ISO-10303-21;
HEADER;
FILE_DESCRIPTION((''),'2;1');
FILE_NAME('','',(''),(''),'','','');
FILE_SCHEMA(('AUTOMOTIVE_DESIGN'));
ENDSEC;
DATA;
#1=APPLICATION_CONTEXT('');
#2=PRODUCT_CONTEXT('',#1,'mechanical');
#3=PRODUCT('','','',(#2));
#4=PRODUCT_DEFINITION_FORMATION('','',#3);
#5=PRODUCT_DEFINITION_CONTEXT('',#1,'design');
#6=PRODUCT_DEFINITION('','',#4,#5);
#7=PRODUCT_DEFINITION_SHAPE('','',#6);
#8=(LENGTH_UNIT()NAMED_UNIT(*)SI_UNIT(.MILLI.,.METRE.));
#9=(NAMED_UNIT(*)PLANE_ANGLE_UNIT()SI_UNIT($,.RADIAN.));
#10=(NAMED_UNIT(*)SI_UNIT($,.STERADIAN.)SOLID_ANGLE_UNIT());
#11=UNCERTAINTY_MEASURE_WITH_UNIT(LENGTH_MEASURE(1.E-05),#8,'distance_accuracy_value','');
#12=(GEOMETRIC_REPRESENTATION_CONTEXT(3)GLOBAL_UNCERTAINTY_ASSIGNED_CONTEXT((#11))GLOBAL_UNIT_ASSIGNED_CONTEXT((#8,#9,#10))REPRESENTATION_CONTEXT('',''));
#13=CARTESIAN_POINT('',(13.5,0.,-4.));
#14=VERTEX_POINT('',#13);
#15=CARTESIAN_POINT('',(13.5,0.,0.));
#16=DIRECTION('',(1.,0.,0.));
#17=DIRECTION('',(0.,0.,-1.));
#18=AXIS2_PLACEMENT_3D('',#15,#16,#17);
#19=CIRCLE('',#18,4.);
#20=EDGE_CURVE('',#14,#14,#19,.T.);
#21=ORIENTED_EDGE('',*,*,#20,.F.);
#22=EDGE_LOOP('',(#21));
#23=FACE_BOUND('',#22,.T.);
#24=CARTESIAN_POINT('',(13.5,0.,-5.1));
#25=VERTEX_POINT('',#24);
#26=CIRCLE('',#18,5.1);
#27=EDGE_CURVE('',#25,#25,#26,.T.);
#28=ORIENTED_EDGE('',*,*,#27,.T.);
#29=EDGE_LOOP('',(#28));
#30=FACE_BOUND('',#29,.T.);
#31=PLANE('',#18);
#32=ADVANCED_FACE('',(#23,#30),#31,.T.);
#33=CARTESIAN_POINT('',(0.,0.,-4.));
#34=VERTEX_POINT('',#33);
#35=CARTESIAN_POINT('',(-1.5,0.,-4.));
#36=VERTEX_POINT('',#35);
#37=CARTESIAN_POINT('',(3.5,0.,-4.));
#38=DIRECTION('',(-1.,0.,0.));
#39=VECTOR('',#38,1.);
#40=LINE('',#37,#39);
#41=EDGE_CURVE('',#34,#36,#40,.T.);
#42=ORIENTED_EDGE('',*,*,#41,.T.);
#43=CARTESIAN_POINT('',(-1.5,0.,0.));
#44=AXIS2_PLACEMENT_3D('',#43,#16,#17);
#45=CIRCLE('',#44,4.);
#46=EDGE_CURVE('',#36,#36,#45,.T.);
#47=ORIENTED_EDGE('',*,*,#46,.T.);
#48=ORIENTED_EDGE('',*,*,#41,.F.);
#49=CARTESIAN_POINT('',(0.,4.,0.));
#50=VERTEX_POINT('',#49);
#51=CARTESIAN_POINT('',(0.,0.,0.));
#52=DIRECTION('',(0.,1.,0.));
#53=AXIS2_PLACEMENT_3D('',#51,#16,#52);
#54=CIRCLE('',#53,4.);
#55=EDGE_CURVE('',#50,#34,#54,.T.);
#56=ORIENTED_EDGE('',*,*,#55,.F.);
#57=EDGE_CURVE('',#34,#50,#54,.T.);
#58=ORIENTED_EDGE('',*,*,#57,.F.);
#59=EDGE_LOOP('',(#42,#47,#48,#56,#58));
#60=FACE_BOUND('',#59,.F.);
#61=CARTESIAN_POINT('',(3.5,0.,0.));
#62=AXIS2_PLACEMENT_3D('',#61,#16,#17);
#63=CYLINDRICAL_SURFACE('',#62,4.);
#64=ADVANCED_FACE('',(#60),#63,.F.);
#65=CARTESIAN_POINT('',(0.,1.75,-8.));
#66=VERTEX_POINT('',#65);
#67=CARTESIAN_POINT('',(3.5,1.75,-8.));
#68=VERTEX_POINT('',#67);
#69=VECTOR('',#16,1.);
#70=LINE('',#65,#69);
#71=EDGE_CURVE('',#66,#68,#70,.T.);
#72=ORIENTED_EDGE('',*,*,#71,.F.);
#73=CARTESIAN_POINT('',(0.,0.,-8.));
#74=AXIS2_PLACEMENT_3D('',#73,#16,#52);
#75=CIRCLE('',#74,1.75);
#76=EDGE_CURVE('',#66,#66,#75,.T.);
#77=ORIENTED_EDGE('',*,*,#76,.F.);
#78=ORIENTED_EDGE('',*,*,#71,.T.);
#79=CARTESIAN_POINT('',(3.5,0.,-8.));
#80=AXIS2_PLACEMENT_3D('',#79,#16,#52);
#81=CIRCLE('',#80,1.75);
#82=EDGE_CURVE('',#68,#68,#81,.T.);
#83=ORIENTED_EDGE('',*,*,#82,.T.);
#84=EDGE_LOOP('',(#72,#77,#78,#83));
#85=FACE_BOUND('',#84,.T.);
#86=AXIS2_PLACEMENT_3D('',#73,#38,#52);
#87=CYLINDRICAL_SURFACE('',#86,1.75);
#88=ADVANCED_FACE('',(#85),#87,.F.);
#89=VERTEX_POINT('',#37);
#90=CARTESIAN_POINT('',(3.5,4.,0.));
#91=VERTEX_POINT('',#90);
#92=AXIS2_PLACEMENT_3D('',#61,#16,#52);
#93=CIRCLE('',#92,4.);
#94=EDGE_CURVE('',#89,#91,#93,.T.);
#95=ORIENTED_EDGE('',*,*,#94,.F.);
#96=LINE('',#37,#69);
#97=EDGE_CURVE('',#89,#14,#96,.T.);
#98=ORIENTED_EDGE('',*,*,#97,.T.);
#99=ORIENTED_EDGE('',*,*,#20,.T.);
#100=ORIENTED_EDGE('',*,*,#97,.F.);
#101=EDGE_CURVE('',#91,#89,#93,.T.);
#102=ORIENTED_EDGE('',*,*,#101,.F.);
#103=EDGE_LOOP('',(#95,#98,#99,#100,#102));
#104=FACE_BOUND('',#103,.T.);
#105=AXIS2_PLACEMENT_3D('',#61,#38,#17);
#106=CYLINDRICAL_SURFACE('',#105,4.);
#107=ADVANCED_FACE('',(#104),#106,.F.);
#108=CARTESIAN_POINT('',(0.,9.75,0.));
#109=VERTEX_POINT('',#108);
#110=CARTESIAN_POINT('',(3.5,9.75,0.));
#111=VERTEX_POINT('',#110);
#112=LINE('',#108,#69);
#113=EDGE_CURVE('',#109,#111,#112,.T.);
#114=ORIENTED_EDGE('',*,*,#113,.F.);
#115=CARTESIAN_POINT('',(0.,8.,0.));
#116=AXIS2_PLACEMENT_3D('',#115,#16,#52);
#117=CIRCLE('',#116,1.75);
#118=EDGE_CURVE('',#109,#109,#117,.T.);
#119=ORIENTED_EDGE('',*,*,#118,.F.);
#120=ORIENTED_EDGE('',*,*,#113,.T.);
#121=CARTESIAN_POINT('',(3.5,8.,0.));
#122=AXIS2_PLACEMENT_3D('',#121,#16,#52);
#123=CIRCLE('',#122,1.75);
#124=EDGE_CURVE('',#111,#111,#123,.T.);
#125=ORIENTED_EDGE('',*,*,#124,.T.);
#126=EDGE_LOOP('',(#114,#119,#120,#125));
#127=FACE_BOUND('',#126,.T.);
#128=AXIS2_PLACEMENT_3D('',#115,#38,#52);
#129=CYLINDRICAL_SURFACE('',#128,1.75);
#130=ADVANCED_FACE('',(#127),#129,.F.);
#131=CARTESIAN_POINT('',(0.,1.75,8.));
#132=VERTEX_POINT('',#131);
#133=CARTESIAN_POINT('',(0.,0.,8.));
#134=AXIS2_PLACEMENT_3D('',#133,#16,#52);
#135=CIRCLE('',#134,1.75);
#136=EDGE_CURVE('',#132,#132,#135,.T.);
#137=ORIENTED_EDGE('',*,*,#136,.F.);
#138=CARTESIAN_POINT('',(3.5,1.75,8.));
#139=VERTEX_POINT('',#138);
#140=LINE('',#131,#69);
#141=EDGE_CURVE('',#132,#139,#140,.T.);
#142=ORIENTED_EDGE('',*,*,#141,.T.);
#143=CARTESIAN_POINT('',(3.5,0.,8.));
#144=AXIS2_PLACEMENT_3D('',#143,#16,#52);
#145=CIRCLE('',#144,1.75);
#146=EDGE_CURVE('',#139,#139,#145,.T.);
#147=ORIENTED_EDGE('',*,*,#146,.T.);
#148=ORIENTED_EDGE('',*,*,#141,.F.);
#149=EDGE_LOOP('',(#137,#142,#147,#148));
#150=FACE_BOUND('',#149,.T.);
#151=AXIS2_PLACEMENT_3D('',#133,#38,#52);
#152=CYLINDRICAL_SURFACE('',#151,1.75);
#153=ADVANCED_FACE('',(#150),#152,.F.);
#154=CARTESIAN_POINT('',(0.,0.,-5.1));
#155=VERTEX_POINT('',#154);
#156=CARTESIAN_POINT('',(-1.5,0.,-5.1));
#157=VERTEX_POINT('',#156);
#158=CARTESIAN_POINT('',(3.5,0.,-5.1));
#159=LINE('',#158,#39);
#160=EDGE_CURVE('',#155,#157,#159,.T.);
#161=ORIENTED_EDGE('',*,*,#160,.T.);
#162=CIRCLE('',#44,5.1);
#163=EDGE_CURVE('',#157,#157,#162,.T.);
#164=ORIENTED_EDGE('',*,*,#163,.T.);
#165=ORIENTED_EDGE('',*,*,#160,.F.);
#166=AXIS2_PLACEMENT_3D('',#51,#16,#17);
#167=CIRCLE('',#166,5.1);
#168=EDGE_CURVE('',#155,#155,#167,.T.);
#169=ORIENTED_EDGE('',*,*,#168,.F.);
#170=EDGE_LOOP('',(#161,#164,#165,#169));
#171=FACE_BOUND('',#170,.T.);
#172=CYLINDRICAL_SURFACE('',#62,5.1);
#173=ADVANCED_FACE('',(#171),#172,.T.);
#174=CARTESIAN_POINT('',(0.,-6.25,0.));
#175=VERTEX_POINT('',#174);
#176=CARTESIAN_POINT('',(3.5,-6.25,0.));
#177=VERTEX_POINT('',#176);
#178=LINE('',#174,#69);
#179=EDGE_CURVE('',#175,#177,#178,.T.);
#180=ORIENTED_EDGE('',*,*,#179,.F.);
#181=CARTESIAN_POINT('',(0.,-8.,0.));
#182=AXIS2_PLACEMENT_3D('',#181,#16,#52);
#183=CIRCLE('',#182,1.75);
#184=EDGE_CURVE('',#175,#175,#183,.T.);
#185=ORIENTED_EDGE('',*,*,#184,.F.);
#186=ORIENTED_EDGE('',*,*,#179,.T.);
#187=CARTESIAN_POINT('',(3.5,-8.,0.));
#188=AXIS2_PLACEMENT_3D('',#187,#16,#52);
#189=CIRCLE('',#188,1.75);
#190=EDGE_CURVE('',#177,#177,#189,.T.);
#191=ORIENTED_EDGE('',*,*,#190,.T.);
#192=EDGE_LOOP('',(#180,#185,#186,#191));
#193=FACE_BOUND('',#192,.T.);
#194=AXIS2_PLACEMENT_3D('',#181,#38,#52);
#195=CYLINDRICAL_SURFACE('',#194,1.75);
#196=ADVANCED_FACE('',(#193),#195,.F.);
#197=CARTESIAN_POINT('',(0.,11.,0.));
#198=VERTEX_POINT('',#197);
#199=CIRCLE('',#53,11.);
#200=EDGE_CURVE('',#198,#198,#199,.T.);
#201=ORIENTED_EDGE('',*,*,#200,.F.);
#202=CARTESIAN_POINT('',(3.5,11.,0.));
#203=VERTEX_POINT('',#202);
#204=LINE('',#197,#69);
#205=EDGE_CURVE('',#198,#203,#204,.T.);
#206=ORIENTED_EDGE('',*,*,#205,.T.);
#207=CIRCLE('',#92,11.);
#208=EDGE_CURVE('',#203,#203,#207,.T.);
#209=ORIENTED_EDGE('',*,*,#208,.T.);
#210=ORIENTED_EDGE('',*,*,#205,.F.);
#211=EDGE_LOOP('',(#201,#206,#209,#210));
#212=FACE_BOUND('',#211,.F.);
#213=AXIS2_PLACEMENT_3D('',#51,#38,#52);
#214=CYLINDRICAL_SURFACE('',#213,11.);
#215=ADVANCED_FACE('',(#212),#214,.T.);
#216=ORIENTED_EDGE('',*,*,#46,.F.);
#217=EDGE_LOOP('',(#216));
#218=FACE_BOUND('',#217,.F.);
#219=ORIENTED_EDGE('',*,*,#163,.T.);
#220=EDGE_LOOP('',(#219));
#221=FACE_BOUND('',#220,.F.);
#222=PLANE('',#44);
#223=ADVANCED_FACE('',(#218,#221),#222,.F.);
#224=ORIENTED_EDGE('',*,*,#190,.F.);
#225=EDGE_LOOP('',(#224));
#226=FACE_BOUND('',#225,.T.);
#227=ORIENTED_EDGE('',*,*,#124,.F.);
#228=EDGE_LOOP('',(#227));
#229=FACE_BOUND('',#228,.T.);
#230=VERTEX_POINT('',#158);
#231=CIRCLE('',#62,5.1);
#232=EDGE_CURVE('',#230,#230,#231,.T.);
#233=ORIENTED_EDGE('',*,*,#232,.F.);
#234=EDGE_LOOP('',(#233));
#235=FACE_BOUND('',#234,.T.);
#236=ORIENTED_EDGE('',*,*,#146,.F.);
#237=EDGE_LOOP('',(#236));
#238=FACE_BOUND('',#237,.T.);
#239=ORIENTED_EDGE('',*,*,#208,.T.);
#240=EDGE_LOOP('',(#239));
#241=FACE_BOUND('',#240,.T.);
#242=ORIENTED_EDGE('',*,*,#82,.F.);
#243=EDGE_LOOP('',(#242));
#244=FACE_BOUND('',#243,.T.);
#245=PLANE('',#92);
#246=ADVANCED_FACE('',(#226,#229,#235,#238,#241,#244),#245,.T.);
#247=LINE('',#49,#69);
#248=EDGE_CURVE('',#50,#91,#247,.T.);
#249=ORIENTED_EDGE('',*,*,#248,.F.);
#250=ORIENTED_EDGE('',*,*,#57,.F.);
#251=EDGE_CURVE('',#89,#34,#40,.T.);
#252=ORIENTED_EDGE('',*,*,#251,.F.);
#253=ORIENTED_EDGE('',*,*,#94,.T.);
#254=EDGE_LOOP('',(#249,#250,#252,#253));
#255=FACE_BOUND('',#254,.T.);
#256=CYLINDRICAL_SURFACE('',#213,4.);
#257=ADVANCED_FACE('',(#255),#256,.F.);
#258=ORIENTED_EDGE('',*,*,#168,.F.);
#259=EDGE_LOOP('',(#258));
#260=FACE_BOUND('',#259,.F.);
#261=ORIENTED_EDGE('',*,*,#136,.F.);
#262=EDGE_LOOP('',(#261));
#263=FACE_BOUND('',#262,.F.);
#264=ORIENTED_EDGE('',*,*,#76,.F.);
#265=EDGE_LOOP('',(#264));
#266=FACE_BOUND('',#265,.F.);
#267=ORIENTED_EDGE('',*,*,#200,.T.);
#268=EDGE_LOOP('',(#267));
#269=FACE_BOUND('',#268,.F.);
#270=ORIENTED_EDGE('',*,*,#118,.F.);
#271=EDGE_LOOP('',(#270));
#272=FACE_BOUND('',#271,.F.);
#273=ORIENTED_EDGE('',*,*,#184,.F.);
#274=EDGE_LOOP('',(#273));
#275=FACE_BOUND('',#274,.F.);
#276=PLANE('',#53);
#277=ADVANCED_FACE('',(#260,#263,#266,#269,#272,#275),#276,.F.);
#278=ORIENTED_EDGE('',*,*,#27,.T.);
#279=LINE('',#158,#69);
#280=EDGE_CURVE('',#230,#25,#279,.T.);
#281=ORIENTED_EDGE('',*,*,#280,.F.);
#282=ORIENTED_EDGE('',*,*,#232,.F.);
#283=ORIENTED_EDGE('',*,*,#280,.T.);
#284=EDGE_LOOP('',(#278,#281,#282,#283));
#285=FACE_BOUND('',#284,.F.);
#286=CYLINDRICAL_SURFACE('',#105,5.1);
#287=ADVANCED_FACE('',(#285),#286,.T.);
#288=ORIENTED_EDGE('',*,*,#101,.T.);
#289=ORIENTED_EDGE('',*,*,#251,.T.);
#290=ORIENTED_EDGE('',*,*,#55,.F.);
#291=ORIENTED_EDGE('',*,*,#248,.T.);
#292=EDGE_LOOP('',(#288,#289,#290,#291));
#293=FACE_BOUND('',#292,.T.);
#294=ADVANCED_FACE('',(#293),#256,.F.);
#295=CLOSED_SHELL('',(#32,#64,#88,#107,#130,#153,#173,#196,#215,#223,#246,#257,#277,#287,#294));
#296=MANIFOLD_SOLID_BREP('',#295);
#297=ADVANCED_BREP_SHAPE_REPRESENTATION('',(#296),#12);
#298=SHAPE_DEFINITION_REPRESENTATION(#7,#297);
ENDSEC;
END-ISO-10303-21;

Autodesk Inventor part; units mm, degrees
ref_plane "YZ Plane" through (0, 0, 0) normal (1, 0, 0) x (0, 1, 0)
ref_plane "XZ Plane" through (0, 0, 0) normal (0, 1, 0) x (-1, 0, 0)
ref_plane "XY Plane" through (0, 0, 0) normal (0, 0, 1) x (1, 0, 0)
sketch "Sketch1" plane through (0, 0, 0) normal (1, 0, 0) x (0, 1, 0)
  circle A0 centre (0, 0) radius 11
  circle A1 centre (0, 0) radius 4
  circle A2 centre (0, 0) radius 8 construction
  circle A3 centre (-8, 0) radius 1.75
  circle A4 centre (0, -8) radius 1.75
  circle A5 centre (8, 0) radius 1.75
  circle A6 centre (0, 8) radius 1.75
  dimension "d0" = 22
  dimension "d11" = 8
  dimension "d13" = 3.5
  dimension "d16" = 360
  dimension "d20" = 8
extrude "Extrusion1" add sketch "Sketch1" along normal blind 3.5
sketch "Sketch2" plane through (3.5, 0, 0) normal (1, 0, 0) x (0, 0, -1)
  circle A0 centre (0, 0) radius 5.1
  circle A1 centre (0, 0) radius 4
  dimension "d5" = 10.2
  dimension "d10" = 8
extrude "Extrusion2" add sketch "Sketch2" along normal blind 10 and the other way blind 5
thread "Thread1" size "M8x1.25" class "6H" standard "ANSI Metric M Profile" full length
properties part number "stage"
